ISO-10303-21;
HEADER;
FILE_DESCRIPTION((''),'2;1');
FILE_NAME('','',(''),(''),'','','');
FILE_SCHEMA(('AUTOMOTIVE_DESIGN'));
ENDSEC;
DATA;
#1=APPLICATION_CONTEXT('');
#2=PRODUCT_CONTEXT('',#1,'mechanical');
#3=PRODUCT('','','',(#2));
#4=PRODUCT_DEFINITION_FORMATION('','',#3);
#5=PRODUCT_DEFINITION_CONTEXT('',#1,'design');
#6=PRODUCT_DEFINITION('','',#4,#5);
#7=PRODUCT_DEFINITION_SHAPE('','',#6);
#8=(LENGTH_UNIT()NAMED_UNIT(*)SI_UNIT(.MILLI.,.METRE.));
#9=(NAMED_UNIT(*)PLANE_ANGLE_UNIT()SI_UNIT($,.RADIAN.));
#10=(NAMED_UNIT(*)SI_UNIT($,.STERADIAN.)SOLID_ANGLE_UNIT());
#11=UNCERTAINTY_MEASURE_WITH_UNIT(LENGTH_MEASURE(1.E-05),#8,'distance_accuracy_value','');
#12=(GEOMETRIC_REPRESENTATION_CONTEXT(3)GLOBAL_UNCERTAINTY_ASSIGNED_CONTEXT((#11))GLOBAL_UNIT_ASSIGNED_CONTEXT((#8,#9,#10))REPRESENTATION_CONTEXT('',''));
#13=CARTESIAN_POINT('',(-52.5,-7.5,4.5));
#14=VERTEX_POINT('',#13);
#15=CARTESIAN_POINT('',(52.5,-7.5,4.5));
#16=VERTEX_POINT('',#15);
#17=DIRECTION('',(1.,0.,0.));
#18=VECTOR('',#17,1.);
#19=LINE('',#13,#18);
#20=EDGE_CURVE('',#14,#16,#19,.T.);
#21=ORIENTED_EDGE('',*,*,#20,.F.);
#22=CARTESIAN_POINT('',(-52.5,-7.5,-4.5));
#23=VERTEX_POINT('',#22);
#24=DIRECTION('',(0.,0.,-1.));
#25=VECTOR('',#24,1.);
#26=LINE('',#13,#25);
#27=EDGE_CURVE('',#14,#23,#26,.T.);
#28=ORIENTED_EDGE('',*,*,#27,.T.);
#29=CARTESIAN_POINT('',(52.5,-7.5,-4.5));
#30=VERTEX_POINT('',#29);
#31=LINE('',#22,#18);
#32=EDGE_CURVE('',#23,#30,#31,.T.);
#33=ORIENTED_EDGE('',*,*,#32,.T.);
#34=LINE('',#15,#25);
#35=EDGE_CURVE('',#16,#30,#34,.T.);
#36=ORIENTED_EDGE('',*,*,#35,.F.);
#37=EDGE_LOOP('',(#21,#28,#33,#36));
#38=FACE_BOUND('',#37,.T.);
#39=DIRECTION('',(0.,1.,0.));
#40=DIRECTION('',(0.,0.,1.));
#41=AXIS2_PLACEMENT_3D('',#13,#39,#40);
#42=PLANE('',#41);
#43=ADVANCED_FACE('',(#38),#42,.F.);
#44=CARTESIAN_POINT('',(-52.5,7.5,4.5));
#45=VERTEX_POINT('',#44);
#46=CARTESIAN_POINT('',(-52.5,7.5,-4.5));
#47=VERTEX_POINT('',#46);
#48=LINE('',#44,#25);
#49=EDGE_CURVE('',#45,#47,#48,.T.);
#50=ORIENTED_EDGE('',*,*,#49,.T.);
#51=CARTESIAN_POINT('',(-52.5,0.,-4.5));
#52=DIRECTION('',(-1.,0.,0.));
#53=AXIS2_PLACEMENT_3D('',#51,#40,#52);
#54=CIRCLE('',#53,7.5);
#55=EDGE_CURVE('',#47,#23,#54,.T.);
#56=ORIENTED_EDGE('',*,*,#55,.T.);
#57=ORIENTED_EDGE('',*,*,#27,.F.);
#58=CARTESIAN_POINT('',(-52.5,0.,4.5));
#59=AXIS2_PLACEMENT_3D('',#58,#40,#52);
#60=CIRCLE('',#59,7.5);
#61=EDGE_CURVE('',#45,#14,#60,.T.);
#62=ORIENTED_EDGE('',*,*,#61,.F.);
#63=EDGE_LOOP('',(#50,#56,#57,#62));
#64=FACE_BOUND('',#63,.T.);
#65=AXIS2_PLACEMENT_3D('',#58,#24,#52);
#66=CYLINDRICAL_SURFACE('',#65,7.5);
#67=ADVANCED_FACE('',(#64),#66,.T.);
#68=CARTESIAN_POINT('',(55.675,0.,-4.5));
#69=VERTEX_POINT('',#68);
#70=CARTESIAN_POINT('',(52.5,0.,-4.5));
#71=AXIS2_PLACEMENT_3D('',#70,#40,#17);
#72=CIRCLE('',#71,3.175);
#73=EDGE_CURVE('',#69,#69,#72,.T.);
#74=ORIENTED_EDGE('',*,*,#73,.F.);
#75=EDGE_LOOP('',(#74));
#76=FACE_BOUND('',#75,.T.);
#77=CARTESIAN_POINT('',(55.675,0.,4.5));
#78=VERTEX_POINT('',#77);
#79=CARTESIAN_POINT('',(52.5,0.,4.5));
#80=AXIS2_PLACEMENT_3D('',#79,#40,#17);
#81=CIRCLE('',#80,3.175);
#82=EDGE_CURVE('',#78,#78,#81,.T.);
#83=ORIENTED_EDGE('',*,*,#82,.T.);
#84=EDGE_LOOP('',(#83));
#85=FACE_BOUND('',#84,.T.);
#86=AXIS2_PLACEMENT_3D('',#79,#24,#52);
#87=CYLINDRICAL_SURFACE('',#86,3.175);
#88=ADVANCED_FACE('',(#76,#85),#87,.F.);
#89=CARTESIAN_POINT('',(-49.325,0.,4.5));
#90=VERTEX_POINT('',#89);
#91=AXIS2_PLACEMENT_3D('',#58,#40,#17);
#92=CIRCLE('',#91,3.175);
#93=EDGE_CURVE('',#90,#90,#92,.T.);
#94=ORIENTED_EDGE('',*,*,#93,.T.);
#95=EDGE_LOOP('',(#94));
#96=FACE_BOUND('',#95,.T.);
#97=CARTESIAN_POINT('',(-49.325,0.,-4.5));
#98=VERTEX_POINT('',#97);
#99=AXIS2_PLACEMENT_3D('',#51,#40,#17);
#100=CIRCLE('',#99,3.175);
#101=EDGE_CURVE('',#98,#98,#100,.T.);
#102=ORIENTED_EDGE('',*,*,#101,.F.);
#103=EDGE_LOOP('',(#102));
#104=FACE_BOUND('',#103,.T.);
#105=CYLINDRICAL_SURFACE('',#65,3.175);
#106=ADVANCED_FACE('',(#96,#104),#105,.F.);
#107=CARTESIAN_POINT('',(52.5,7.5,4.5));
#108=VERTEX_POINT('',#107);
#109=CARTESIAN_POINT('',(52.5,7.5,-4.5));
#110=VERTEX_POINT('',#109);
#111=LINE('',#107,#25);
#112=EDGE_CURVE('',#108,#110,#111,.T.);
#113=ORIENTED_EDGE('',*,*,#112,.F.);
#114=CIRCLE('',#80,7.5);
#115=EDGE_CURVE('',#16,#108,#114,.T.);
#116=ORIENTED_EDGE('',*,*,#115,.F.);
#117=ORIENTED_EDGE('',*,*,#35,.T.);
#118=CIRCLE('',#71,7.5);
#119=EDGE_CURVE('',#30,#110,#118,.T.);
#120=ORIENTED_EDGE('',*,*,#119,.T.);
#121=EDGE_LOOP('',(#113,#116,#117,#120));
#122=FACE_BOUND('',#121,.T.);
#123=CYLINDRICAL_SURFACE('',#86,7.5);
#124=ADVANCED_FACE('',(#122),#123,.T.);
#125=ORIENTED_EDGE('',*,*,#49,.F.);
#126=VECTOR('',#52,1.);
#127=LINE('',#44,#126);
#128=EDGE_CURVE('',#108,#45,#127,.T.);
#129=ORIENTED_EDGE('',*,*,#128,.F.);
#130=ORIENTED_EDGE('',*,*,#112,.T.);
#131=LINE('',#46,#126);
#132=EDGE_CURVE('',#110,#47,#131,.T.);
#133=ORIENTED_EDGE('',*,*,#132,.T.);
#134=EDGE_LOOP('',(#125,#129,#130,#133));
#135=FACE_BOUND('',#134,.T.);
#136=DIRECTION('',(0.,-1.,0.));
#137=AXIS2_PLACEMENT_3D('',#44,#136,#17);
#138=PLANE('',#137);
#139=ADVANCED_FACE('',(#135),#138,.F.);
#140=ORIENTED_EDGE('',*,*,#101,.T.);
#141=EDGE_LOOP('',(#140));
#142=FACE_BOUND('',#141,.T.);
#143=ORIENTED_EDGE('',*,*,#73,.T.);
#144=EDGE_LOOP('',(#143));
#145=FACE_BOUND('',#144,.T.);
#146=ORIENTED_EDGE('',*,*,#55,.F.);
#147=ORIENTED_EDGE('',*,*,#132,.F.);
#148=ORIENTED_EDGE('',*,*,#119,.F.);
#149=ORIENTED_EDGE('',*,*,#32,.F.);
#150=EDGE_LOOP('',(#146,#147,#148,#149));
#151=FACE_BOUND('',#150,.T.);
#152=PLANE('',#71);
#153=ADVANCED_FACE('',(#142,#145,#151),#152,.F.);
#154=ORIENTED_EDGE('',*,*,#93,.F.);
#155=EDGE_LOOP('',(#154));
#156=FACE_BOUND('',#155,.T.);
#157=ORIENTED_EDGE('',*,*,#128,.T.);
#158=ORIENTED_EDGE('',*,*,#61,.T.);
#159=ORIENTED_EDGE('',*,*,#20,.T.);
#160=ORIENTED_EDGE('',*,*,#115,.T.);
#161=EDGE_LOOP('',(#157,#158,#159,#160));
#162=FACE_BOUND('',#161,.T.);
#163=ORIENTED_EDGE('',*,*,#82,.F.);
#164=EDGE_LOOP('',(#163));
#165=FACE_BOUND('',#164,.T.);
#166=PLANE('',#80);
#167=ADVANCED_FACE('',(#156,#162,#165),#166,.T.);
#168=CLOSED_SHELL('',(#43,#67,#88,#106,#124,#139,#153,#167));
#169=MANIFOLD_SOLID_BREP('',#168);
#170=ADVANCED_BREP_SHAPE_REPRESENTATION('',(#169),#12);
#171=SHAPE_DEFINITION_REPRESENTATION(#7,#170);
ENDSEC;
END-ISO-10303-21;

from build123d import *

# Parameters (mm, degrees)
SKETCH1_R           = 3.175
BOSS_EXTRUDE1_DEPTH = 4.5


with BuildPart() as part:
    # Sketch1 → Boss-Extrude1 (new, symmetric)
    with BuildSketch(Plane.XY):
        with BuildLine():
            Line((-52.5, 7.5), (52.5, 7.5))
            ThreePointArc((52.5, 7.5), (60, 0), (52.5, -7.5))
            Line((52.5, -7.5), (-52.5, -7.5))
            ThreePointArc((-52.5, -7.5), (-60, 0), (-52.5, 7.5))
        make_face()
        with Locations((52.5, 0)):
            Circle(SKETCH1_R, mode=Mode.SUBTRACT)
        with Locations((-52.5, 0)):
            Circle(SKETCH1_R, mode=Mode.SUBTRACT)
    extrude(amount=BOSS_EXTRUDE1_DEPTH, both=True)


solid = part.part
